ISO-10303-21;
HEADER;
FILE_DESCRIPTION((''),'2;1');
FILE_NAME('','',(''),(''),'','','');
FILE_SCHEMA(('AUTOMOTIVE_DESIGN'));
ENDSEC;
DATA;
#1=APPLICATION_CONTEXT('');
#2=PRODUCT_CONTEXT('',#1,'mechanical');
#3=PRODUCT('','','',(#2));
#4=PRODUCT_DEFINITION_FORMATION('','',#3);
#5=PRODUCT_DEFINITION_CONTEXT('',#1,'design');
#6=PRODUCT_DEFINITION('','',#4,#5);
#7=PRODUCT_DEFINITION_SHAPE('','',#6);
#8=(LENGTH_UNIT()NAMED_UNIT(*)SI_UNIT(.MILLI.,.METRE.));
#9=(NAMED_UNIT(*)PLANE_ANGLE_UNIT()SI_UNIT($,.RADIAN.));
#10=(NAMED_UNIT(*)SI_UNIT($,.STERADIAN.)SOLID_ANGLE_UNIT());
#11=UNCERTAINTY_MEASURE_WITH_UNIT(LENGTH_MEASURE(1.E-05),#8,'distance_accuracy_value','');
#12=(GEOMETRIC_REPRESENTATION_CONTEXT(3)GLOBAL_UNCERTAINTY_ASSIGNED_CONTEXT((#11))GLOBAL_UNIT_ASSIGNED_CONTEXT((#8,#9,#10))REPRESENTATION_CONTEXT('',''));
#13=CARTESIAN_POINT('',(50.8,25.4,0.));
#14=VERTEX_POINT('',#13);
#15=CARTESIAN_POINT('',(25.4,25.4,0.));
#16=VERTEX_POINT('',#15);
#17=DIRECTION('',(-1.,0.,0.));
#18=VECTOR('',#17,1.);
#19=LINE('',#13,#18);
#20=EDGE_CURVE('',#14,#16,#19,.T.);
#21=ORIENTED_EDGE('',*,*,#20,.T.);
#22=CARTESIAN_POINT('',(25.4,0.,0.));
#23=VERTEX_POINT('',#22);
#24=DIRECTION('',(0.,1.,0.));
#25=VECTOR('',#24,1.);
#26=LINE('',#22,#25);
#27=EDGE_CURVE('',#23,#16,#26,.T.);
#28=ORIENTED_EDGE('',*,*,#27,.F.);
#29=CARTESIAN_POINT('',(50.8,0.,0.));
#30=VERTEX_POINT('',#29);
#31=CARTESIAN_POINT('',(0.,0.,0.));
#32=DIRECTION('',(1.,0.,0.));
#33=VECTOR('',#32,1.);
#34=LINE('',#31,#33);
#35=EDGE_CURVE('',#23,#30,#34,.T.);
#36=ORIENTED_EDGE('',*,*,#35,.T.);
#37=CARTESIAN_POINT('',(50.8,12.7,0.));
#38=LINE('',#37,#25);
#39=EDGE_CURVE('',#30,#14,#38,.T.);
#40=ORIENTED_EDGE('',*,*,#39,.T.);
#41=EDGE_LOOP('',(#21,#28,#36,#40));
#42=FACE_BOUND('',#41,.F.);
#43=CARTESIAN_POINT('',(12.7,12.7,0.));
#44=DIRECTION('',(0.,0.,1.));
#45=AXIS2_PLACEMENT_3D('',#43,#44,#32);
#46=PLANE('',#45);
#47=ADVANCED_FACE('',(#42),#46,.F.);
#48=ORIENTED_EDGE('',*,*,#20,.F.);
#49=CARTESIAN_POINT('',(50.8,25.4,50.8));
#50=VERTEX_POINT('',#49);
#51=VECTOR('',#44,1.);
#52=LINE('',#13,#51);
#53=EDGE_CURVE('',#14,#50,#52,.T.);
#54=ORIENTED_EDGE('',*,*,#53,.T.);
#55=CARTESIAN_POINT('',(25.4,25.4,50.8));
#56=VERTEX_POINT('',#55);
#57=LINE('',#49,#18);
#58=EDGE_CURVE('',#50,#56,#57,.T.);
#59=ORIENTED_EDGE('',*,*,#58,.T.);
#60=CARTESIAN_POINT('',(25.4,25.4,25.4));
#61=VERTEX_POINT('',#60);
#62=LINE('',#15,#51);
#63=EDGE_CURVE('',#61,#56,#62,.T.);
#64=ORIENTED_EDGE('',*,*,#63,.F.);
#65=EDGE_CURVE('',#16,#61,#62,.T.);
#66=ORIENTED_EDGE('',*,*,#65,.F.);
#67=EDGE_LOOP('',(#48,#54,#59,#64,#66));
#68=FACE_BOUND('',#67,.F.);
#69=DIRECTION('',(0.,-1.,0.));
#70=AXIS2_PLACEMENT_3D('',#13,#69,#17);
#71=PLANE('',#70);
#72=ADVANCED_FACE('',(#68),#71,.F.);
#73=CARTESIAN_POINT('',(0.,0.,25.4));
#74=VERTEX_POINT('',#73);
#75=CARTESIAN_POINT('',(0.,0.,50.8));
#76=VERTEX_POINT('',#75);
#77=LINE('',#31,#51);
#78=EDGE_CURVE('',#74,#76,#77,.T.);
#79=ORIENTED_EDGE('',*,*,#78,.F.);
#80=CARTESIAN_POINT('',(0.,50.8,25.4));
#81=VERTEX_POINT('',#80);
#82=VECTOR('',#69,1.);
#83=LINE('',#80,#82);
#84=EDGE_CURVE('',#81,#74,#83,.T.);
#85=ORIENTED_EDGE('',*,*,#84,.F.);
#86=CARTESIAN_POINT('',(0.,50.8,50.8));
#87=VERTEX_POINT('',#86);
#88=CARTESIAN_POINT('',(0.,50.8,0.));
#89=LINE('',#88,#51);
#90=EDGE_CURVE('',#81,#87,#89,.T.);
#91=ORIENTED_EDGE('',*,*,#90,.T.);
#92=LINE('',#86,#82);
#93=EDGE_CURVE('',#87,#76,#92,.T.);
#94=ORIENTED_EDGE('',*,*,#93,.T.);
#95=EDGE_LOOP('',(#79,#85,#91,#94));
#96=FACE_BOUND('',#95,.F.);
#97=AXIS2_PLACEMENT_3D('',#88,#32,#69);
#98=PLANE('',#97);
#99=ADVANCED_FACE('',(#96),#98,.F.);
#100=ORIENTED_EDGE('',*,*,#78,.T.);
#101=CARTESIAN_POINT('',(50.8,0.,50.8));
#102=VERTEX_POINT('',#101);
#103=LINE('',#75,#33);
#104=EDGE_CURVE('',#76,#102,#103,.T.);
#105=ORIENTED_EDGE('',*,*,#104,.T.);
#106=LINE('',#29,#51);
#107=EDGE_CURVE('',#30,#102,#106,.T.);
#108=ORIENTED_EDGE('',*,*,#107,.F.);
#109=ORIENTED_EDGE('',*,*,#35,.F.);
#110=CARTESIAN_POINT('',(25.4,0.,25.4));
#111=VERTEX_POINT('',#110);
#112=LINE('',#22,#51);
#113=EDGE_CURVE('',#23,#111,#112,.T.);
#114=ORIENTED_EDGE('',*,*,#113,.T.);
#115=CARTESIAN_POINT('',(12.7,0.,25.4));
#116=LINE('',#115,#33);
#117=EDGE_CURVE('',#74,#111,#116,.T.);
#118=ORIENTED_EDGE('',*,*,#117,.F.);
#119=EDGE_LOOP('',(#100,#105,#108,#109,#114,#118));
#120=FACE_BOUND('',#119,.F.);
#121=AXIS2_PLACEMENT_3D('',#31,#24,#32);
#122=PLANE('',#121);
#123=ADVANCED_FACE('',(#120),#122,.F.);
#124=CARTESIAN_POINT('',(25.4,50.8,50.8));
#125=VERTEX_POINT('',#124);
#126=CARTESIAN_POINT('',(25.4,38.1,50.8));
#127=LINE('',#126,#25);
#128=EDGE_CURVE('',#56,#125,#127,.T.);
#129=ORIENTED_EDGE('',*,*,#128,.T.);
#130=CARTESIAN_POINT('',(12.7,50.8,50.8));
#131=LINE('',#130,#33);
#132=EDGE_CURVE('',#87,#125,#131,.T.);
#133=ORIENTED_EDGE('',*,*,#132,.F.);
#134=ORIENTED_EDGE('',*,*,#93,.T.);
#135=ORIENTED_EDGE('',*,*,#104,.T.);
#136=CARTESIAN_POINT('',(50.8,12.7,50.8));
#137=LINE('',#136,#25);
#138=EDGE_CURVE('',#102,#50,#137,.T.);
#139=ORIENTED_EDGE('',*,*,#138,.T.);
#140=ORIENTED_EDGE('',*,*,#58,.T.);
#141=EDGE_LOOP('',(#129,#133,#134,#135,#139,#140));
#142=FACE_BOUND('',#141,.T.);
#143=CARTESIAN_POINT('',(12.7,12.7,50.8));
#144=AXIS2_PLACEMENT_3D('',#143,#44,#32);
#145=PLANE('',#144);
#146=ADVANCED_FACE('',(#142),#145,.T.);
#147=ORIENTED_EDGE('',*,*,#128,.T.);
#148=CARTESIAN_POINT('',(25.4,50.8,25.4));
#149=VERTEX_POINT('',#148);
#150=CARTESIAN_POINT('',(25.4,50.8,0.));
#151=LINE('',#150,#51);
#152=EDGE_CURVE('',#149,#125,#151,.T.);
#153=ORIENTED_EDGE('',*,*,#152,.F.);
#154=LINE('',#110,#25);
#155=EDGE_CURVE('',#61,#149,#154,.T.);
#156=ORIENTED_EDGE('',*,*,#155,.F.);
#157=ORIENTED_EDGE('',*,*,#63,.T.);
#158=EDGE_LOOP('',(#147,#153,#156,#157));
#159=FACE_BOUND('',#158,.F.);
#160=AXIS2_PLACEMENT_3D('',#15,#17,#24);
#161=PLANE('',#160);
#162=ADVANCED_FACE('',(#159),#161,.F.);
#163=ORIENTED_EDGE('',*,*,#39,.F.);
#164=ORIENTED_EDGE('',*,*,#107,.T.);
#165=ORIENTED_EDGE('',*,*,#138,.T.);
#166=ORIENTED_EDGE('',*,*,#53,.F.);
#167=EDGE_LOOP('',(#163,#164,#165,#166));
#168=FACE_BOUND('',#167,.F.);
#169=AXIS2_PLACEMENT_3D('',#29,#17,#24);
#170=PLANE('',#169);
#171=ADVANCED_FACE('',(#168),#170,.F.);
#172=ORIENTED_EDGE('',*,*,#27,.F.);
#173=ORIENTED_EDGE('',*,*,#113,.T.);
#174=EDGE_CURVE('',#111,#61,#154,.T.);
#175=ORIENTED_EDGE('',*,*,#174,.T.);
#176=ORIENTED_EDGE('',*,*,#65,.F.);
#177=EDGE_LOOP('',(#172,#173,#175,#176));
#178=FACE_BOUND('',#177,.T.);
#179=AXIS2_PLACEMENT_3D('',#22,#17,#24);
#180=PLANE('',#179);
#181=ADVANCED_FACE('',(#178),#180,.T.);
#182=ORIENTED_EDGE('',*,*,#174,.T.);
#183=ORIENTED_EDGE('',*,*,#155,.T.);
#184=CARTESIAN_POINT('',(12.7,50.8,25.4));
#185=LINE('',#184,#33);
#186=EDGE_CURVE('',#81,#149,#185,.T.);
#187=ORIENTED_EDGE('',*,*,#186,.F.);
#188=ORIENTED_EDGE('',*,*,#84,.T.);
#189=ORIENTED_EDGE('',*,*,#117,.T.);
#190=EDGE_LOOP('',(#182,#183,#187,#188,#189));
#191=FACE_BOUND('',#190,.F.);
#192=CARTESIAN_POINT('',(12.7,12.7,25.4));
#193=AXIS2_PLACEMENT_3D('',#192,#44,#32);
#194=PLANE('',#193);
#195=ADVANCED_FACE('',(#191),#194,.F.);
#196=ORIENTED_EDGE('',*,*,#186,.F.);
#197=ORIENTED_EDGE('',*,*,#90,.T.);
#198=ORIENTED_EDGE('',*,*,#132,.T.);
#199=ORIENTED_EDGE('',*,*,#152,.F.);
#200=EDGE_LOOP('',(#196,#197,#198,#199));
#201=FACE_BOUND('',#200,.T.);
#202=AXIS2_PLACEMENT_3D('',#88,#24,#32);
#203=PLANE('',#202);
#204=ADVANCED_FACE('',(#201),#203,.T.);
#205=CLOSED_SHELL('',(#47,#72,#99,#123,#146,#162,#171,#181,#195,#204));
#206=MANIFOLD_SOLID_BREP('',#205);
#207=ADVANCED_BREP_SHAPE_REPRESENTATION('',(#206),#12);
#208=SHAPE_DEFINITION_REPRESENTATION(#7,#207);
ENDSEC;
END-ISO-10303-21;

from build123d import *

# Parameters (mm, degrees)
F0_W     = 25.4
F0_H     = 25.4
F1_DEPTH = 50.8
F2_DEPTH = 25.4


with BuildPart() as f1:
    # F0 (on Top) → F1 (new body)
    with BuildSketch(Plane.XY):
        with Locations((12.7, 12.7)):
            Rectangle(F0_W, F0_H)
        with Locations((38.1, 12.7)):
            Rectangle(F0_W, F0_H)
        with Locations((12.7, 38.1)):
            Rectangle(F0_W, F0_H)
    extrude(amount=F1_DEPTH)

    # F0 (on Top) → F2 (cut)
    with BuildSketch(Plane.XY):
        with Locations((12.7, 12.7)):
            Rectangle(F0_W, F0_H)
        with Locations((12.7, 38.1)):
            Rectangle(F0_W, F0_H)
    extrude(amount=F2_DEPTH, mode=Mode.SUBTRACT)


solid = f1.part
